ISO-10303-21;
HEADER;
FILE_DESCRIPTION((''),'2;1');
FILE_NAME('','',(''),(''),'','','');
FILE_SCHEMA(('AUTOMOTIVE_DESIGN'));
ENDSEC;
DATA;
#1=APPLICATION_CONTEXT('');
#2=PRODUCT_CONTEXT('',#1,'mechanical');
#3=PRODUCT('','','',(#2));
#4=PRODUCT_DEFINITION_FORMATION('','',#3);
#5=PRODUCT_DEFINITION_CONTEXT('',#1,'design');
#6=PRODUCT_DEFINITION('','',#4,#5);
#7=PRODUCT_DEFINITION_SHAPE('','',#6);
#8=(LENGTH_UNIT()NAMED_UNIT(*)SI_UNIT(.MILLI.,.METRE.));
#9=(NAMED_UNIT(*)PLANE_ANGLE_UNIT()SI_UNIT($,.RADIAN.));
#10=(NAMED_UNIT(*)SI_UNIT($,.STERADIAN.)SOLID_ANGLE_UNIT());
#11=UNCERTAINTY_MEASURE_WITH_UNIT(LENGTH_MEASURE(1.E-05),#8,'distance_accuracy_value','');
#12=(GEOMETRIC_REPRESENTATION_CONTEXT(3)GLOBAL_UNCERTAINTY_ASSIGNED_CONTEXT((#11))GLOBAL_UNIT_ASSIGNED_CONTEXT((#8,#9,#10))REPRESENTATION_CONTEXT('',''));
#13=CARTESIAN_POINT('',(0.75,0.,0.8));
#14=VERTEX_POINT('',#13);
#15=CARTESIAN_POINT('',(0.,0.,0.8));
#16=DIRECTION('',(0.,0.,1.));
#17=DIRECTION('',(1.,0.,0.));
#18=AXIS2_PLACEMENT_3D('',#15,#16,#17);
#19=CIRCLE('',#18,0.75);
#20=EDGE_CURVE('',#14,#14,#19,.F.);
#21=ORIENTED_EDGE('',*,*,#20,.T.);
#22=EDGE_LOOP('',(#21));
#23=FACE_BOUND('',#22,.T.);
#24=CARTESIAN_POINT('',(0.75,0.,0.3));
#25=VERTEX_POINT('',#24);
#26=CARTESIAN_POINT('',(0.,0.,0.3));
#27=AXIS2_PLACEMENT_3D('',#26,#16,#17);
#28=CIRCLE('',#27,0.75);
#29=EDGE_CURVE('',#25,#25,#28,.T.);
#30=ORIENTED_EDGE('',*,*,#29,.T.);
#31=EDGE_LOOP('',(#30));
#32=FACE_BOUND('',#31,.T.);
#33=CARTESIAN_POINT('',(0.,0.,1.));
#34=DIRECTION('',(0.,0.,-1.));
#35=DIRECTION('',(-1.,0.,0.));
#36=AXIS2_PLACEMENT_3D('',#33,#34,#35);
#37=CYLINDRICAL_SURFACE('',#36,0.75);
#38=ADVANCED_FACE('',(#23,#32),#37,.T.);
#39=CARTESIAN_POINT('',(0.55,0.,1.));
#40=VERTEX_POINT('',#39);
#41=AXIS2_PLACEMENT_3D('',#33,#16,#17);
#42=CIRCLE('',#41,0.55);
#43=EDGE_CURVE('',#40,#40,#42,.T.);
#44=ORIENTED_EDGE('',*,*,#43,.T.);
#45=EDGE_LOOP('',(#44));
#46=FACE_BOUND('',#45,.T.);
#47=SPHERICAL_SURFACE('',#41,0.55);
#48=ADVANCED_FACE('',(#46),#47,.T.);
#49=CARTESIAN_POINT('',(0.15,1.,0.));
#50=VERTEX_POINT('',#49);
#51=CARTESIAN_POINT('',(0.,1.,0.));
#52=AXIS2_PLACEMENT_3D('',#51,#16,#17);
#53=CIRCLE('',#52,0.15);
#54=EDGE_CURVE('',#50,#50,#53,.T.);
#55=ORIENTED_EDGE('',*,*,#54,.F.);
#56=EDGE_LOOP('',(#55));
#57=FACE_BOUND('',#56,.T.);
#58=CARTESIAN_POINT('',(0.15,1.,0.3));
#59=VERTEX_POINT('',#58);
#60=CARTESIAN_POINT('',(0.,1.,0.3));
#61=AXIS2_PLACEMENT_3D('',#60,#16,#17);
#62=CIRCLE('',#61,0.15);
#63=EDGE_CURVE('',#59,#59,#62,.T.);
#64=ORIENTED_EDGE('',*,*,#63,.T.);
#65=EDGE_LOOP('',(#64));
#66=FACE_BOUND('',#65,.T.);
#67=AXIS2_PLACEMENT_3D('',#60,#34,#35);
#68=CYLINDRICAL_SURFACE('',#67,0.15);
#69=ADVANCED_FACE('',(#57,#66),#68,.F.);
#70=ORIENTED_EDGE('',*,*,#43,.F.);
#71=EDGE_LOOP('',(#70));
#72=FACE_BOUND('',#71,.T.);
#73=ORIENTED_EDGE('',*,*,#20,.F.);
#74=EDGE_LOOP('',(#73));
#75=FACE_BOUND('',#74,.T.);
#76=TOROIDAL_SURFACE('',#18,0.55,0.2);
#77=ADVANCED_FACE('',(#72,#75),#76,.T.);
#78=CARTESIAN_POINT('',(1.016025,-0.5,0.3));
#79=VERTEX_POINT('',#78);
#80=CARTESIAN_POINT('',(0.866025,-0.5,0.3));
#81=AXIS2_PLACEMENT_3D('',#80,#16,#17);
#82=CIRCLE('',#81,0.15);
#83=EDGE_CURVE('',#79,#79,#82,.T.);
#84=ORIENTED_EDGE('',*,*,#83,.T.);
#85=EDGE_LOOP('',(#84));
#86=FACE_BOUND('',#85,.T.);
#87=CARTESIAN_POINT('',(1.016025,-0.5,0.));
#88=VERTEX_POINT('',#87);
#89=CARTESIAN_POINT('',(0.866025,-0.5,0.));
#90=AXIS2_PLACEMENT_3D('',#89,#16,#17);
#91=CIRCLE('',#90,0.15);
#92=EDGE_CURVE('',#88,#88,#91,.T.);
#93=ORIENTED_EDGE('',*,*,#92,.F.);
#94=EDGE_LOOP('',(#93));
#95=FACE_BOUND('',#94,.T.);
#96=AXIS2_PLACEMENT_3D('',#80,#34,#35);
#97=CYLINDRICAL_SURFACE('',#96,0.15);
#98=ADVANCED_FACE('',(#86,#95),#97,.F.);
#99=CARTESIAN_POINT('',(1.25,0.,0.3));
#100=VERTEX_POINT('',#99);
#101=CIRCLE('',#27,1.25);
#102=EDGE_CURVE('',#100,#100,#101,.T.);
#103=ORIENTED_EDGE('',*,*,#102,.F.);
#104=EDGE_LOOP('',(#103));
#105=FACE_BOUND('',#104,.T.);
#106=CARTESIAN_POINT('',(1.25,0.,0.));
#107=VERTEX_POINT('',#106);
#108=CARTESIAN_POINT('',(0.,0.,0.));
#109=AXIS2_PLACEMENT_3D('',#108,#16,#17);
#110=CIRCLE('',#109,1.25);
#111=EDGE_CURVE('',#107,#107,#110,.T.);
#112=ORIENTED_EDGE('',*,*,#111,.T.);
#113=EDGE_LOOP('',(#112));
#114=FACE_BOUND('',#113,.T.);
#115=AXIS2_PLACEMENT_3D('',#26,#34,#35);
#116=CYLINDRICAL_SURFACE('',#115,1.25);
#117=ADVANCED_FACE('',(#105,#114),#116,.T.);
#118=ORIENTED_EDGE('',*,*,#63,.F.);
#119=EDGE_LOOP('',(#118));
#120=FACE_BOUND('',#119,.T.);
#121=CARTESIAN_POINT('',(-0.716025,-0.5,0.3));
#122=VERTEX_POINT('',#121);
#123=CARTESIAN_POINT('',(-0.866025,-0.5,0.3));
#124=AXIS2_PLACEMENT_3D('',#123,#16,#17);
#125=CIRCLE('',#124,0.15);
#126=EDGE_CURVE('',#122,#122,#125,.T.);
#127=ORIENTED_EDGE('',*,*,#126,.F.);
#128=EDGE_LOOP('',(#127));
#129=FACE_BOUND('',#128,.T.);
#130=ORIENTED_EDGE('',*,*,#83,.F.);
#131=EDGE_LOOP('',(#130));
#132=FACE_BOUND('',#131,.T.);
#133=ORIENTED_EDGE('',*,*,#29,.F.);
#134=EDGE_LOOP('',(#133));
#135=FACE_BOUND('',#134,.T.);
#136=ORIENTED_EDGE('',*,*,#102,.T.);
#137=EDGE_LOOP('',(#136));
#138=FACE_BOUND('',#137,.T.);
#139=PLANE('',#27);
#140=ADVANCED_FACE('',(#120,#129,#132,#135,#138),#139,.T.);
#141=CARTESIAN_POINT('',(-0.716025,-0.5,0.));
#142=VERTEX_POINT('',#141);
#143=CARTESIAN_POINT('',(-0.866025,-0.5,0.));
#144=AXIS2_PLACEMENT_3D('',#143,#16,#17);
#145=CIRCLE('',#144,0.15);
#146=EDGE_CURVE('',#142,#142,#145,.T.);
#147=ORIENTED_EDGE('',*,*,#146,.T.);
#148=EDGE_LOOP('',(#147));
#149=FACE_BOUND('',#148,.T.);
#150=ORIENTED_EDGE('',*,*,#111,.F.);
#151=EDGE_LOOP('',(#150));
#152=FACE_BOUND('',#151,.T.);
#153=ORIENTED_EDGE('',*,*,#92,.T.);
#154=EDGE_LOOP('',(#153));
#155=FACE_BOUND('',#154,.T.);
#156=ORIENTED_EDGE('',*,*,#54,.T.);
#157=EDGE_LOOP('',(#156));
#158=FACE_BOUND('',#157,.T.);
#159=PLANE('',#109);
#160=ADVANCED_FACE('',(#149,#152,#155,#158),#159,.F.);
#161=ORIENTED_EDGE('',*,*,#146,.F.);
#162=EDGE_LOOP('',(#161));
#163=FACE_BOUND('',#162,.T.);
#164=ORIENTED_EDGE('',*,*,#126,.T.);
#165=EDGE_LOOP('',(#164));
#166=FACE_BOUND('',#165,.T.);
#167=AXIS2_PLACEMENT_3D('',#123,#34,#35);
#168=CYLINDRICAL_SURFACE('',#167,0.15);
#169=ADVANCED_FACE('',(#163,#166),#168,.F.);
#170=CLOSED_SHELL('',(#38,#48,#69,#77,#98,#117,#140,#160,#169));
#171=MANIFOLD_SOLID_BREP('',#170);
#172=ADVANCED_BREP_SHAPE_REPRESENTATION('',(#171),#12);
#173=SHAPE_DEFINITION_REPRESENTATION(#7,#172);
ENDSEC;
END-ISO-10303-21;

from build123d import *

# Parameters (mm, degrees)
SKETCH2_R           = 1.25
SKETCH2_R_2         = 0.15
BOSS_EXTRUDE1_DEPTH = 0.3
SKETCH3_R           = 0.75
BOSS_EXTRUDE2_DEPTH = 0.7
FILLET2_R           = 0.2


with BuildPart() as part:
    # Sketch2 → Boss-Extrude1 (new body)
    with BuildSketch(Plane.XY):
        Circle(SKETCH2_R)
        with Locations((0, 1)):
            Circle(SKETCH2_R_2, mode=Mode.SUBTRACT)
        with Locations((0.866025404, -0.5)):
            Circle(SKETCH2_R_2, mode=Mode.SUBTRACT)
        with Locations((-0.866025404, -0.5)):
            Circle(SKETCH2_R_2, mode=Mode.SUBTRACT)
    extrude(amount=BOSS_EXTRUDE1_DEPTH)

    # Sketch3 → Boss-Extrude2 (add)
    with BuildSketch(Plane.XY.offset(0.3)):
        Circle(SKETCH3_R)
    extrude(amount=BOSS_EXTRUDE2_DEPTH)

    # Fillet2
    fillet2_edges = [part.edges().sort_by_distance(p)[0] for p in [
        (-0.75, 0, 1),
    ]]
    fillet(fillet2_edges, radius=FILLET2_R)

    # Sketch5 → Revolve2 (revolve)
    with BuildSketch(Plane.XY.offset(1)):
        with BuildLine():
            Line((-0.55, 0), (0.55, 0))
            ThreePointArc((0.55, 0), (0, 0.55), (-0.55, 0))
        make_face()
    revolve(axis=Axis((-0.55, 0, 1), (1, 0, 0)))


solid = part.part
